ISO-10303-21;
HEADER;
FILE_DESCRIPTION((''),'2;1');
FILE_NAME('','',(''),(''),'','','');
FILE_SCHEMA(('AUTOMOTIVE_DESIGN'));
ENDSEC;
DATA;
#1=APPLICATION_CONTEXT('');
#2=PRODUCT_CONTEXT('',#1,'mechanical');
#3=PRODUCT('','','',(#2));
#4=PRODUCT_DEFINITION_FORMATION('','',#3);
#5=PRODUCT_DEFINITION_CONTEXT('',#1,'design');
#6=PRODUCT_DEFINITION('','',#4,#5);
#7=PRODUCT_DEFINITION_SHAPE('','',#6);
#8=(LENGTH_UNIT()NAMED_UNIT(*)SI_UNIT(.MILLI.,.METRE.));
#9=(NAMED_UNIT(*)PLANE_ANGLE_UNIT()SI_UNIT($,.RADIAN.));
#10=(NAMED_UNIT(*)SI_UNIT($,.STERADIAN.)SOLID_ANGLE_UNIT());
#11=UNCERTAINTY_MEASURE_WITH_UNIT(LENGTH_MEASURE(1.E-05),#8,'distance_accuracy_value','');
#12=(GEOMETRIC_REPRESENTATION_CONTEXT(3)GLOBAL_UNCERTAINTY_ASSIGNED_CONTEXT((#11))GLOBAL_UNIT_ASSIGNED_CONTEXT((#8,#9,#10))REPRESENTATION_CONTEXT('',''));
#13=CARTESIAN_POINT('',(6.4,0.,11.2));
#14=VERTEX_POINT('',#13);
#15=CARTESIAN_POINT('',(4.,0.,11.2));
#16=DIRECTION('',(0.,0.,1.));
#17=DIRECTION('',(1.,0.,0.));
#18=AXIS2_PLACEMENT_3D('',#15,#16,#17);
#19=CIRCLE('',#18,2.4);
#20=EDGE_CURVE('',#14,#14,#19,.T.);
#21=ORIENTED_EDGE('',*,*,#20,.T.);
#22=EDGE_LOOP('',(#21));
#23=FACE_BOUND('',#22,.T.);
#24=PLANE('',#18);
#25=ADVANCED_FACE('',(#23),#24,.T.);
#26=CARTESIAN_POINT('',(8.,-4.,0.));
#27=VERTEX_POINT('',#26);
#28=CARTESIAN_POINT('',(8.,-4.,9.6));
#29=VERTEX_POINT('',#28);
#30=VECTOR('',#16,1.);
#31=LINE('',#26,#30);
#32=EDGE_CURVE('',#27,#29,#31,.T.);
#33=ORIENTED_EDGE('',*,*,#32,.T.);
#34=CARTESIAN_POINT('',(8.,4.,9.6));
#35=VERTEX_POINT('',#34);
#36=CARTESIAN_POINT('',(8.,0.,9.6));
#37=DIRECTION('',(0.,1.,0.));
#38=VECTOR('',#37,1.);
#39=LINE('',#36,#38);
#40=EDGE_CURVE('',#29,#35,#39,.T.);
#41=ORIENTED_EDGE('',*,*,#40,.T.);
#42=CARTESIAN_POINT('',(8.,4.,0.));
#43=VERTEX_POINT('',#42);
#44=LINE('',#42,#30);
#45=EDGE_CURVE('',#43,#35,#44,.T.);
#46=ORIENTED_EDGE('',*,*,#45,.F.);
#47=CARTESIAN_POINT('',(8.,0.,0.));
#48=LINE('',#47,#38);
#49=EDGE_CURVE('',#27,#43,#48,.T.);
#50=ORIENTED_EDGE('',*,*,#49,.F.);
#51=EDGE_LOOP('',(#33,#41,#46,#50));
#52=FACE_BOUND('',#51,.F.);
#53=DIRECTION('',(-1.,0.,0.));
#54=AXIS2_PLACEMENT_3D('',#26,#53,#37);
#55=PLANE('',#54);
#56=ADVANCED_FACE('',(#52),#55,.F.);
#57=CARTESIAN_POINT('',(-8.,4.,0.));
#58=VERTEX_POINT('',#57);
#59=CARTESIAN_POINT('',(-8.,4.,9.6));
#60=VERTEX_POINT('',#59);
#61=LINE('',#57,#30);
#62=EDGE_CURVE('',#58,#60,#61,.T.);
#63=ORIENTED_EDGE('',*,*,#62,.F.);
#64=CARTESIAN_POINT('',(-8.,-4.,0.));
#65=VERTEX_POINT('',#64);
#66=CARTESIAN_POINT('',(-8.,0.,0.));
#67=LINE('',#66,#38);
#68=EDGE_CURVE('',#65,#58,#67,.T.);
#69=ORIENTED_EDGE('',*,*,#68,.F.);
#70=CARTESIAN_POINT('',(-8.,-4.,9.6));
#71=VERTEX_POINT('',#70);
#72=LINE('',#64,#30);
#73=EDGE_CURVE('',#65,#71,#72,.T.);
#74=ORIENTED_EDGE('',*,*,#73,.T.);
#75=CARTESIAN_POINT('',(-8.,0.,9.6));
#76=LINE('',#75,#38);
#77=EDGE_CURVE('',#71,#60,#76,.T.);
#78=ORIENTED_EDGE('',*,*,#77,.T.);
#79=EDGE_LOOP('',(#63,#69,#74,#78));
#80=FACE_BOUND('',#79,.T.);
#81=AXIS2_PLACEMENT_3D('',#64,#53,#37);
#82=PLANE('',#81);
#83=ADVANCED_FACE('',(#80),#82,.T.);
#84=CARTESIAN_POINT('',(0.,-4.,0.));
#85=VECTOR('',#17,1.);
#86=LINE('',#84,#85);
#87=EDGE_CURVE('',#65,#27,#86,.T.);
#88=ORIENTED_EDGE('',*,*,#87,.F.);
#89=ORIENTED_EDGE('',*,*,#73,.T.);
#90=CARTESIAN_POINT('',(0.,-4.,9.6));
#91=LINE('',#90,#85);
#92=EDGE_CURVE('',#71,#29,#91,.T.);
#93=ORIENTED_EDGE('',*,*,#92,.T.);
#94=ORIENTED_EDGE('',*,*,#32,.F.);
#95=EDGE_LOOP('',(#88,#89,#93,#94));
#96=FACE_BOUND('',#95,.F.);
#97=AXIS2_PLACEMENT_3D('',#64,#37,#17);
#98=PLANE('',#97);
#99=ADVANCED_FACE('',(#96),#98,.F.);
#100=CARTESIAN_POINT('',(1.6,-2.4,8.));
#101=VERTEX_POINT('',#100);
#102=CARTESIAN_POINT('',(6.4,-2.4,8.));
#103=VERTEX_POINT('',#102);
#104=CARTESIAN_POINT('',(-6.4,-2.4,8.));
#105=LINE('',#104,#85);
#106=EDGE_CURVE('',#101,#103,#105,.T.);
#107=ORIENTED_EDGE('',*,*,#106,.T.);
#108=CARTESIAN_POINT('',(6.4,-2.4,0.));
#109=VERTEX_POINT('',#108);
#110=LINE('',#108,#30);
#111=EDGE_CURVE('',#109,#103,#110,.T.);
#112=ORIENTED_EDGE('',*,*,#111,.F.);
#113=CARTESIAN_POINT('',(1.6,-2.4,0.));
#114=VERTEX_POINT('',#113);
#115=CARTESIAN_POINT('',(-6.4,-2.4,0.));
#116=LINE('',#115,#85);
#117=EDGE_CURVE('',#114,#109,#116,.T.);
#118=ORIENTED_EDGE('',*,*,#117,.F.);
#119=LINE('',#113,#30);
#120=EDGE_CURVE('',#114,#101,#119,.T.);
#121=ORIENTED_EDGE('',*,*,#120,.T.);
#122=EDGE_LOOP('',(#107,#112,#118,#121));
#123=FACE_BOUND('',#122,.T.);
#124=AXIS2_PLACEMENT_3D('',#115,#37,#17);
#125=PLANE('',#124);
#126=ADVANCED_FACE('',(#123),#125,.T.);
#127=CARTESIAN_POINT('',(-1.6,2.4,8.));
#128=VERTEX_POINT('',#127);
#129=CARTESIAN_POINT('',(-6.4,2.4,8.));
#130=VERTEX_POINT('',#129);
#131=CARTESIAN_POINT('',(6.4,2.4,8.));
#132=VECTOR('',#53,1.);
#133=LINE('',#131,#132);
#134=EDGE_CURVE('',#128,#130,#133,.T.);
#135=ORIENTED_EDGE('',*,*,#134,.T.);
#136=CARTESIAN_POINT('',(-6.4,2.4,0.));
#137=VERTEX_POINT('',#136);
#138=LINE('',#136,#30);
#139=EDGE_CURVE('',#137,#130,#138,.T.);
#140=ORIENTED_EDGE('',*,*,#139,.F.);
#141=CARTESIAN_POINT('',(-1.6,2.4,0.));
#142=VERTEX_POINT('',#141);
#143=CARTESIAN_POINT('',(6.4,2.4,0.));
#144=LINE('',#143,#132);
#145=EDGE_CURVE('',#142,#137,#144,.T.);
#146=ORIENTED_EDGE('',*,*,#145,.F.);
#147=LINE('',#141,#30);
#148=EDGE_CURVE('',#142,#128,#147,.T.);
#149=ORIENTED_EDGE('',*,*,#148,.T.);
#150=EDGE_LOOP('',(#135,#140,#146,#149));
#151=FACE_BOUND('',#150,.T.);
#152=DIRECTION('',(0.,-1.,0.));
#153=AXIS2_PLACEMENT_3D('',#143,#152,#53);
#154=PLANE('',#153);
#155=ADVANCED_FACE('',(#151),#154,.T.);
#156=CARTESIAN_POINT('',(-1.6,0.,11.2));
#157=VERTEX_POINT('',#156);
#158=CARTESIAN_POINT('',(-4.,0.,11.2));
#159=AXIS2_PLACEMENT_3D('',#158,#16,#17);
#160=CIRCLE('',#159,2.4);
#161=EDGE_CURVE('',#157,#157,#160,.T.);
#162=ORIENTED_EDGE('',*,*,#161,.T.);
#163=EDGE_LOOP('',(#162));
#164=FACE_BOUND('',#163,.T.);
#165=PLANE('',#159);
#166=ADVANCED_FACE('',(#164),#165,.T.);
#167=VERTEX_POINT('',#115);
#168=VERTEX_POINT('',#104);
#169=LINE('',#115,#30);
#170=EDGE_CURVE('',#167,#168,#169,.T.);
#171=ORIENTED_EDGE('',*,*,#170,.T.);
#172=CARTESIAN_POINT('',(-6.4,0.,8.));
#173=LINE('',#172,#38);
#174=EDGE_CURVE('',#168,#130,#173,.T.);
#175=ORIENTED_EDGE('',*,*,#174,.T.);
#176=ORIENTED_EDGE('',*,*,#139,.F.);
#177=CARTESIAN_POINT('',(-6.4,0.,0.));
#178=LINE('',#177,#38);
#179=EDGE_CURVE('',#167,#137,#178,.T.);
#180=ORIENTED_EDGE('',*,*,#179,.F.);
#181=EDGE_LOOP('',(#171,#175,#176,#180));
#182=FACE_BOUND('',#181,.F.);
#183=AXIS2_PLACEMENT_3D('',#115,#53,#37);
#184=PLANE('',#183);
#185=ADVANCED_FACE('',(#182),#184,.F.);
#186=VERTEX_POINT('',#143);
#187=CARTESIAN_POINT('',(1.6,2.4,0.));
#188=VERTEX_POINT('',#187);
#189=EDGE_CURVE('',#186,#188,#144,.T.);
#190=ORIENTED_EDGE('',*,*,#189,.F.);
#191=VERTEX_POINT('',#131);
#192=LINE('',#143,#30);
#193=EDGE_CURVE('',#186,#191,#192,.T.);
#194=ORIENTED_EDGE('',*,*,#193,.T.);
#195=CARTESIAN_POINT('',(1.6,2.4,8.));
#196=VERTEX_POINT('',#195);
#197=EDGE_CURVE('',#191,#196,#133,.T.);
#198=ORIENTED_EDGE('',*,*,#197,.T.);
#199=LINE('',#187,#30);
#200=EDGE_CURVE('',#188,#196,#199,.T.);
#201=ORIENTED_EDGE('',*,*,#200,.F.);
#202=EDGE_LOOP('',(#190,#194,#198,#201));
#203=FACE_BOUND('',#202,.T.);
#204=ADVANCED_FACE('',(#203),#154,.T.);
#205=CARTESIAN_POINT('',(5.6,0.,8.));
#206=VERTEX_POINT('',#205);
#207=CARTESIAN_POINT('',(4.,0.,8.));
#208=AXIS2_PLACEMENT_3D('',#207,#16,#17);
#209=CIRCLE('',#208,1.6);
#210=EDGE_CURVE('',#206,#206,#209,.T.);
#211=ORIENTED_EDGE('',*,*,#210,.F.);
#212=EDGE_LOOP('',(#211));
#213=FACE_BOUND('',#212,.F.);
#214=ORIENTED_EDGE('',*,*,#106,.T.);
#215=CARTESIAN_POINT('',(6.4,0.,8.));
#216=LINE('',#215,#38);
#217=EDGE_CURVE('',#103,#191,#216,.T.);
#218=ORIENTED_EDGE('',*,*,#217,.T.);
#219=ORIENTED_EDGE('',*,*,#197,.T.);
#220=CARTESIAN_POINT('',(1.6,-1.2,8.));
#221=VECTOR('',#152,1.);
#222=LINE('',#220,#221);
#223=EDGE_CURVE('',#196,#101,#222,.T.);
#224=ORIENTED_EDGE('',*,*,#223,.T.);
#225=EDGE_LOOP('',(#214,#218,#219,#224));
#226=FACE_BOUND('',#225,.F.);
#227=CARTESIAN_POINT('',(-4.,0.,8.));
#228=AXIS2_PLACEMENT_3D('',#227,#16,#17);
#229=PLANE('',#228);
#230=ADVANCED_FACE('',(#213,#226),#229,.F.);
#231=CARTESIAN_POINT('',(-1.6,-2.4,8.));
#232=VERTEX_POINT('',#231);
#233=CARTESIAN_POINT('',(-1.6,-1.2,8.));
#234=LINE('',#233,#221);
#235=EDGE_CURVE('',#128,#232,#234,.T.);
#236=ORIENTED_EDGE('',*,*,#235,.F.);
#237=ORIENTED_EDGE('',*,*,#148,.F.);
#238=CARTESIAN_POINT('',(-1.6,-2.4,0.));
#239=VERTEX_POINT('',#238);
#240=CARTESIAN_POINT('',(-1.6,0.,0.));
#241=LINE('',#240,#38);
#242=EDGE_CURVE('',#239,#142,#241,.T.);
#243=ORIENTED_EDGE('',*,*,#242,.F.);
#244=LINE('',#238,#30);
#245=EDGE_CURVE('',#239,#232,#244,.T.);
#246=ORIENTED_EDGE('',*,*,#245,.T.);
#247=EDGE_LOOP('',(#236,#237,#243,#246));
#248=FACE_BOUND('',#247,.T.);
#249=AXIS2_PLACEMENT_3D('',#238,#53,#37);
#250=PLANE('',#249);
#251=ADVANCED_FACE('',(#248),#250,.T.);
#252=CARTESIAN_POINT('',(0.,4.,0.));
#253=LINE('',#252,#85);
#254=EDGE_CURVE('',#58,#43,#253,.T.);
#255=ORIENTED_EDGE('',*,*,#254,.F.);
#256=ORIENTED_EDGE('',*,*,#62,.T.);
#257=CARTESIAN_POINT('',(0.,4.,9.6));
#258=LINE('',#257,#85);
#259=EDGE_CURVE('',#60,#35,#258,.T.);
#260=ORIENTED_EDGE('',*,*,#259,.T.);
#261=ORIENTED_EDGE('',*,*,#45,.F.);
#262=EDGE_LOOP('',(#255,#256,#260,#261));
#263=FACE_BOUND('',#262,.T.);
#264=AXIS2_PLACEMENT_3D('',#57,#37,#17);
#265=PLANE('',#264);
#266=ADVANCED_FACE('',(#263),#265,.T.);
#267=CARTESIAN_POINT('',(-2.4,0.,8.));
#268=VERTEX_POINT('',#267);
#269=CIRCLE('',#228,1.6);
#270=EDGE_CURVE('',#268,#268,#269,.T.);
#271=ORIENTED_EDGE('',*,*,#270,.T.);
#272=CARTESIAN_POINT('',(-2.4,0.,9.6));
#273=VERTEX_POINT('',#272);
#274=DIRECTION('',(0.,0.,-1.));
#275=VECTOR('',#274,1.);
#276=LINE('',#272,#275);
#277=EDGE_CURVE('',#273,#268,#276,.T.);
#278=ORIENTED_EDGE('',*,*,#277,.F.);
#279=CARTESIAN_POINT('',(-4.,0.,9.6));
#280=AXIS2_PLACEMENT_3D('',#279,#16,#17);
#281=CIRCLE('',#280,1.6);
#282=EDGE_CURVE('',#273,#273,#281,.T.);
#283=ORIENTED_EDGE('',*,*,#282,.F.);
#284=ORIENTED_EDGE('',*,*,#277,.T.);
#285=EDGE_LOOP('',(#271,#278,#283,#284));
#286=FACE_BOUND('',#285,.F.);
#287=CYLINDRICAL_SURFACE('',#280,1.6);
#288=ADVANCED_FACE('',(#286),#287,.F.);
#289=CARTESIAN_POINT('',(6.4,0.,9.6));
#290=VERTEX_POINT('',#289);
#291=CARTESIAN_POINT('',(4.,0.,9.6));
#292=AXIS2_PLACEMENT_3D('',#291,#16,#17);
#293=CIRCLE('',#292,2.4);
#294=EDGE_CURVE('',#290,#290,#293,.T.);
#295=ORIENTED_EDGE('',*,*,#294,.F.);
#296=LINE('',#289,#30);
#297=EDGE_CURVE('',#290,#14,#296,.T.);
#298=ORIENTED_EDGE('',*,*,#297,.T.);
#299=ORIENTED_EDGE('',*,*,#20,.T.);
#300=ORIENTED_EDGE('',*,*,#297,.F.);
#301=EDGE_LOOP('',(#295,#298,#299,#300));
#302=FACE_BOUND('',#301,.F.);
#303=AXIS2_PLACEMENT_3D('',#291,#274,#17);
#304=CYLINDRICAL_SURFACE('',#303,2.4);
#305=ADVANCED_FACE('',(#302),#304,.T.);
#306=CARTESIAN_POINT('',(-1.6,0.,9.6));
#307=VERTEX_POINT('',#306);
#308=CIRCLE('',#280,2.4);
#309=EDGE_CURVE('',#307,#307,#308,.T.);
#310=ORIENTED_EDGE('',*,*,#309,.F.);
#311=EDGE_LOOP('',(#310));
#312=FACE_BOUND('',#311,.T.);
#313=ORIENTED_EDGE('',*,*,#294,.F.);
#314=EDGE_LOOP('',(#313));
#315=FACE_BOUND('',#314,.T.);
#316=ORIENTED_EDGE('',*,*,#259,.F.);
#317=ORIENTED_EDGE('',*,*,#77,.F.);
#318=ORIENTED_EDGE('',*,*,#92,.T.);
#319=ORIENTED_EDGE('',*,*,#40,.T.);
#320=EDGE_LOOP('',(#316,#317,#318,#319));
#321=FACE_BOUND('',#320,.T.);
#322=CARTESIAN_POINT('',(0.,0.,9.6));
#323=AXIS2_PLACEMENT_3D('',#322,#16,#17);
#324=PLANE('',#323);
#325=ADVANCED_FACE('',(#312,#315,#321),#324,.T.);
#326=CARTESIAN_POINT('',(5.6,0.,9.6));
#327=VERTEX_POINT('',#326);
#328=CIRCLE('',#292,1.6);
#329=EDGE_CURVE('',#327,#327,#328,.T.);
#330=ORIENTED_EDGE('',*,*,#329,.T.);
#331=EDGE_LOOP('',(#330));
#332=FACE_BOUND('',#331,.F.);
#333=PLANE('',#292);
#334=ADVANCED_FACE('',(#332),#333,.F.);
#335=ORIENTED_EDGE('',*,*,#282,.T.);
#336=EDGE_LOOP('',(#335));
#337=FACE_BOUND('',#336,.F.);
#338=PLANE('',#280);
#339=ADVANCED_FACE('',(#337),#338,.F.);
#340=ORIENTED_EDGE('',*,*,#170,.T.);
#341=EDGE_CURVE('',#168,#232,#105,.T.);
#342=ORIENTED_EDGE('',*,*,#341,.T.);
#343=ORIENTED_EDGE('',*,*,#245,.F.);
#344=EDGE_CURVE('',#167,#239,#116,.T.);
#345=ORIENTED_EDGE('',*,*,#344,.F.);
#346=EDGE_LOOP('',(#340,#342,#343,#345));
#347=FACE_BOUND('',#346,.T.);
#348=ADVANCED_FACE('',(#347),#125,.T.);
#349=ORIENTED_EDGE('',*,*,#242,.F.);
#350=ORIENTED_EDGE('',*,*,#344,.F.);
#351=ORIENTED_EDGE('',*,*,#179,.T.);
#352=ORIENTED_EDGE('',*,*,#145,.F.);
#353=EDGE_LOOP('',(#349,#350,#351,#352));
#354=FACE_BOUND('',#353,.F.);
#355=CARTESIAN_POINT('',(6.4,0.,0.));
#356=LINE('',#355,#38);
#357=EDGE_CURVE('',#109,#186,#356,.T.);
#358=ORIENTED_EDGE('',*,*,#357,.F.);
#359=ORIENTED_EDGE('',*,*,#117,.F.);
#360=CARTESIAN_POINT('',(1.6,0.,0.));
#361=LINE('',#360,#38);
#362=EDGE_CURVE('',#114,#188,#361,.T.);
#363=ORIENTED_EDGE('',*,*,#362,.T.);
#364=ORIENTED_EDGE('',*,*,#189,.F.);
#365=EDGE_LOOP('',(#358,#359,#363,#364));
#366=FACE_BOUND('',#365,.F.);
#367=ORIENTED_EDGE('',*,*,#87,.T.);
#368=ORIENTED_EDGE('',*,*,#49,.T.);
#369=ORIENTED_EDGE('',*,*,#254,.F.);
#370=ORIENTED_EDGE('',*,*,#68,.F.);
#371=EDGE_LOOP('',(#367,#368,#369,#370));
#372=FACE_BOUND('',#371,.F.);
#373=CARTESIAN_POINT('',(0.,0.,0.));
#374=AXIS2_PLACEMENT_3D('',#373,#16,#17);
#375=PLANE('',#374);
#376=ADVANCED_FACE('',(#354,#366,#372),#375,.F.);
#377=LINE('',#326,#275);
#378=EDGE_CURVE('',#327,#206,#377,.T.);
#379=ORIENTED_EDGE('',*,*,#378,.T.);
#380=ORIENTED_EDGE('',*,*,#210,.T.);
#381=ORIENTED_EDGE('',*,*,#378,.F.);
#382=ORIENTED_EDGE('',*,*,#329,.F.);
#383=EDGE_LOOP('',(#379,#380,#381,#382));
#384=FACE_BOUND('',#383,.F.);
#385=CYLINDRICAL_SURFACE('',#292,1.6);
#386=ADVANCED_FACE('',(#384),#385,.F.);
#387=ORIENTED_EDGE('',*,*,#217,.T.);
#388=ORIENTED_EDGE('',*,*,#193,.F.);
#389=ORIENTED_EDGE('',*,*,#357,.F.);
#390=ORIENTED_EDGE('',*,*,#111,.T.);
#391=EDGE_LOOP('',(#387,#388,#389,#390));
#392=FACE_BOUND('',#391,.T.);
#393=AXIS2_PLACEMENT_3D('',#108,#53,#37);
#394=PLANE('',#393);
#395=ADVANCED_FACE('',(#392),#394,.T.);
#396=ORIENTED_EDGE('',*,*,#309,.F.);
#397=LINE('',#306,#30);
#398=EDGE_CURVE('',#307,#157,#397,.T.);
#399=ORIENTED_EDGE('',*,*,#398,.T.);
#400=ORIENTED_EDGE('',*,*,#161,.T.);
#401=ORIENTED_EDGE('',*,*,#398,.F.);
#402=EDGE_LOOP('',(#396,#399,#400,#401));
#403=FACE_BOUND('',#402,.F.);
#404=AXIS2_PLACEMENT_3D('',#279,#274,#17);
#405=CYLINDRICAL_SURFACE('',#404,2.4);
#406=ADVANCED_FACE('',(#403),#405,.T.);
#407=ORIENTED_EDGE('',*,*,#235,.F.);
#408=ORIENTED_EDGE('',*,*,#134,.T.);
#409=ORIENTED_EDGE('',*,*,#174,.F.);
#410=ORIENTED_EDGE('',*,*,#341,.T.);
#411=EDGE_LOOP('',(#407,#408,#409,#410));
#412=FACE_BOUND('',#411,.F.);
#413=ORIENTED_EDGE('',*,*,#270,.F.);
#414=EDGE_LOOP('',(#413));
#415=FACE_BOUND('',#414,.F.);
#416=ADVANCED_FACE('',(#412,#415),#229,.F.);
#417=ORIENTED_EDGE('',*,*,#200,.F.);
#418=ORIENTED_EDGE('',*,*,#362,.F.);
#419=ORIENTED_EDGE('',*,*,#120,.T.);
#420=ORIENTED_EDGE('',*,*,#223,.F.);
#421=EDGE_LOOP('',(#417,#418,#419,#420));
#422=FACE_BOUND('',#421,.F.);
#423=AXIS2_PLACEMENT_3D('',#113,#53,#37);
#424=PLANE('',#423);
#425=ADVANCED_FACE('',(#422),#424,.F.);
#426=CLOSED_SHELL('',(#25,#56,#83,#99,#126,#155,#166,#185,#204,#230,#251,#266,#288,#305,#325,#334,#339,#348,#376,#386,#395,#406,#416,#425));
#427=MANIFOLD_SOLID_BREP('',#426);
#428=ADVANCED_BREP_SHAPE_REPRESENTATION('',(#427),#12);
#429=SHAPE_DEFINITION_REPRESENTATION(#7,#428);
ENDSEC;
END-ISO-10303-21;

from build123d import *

# Parameters (mm, degrees)
F0_W     = 16
F0_H     = 8
F0_W_2   = 4.8
F0_H_2   = 4.8
F0_W_3   = 3.2
F1_DEPTH = 9.6
F2_DEPTH = 8
F3_DEPTH = 9.6
F4_R     = 1.6
F5_DEPTH = 1.6
F6_R     = 2.4
F6_R_2   = 1.6
F7_DEPTH = 1.6


with BuildPart() as f1:
    # F0 (on Top) → F1 (new body)
    with BuildSketch(Plane.XY):
        Rectangle(F0_W, F0_H)
        Polygon((-1.6, -2.4), (-6.4, -2.4), (-6.4, 2.4), (-1.6, 2.4), (1.6, 2.4), (6.4, 2.4), (6.4, -2.4), (1.6, -2.4), align=None, mode=Mode.SUBTRACT)
        with Locations((-4, 0)):
            Rectangle(F0_W_2, F0_H_2)
        Rectangle(F0_W_3, F0_H_2)
        with Locations((4, 0)):
            Rectangle(F0_W_2, F0_H_2)
    extrude(amount=F1_DEPTH)

    # F0 (on Top) → F2 (cut)
    with BuildSketch(Plane.XY):
        with Locations((-4, 0)):
            Rectangle(F0_W_2, F0_H_2)
        Rectangle(F0_W_3, F0_H_2)
        with Locations((4, 0)):
            Rectangle(F0_W_2, F0_H_2)
    extrude(amount=F2_DEPTH, mode=Mode.SUBTRACT)

    # F0 (on Top) → F3 (join)
    with BuildSketch(Plane.XY):
        Rectangle(F0_W_3, F0_H_2)
    extrude(amount=F3_DEPTH)

    # F4 (on face) → F5 (cut)
    with BuildSketch(Plane.XY.offset(9.6)):
        with Locations((-4, 0)):
            Circle(F4_R)
        with Locations((4, 0)):
            Circle(F4_R)
    extrude(amount=-F5_DEPTH, mode=Mode.SUBTRACT)

    # F6 (on face) → F7 (join)
    with BuildSketch(Plane.XY.offset(9.6)):
        with Locations((-4, 0)):
            Circle(F6_R)
        with Locations((-4, 0)):
            Circle(F6_R_2, mode=Mode.SUBTRACT)
        with Locations((4, 0)):
            Circle(F6_R)
        with Locations((4, 0)):
            Circle(F6_R_2, mode=Mode.SUBTRACT)
        with Locations((-4, 0)):
            Circle(F6_R_2)
        with Locations((4, 0)):
            Circle(F6_R_2)
    extrude(amount=F7_DEPTH)


solid = f1.part
